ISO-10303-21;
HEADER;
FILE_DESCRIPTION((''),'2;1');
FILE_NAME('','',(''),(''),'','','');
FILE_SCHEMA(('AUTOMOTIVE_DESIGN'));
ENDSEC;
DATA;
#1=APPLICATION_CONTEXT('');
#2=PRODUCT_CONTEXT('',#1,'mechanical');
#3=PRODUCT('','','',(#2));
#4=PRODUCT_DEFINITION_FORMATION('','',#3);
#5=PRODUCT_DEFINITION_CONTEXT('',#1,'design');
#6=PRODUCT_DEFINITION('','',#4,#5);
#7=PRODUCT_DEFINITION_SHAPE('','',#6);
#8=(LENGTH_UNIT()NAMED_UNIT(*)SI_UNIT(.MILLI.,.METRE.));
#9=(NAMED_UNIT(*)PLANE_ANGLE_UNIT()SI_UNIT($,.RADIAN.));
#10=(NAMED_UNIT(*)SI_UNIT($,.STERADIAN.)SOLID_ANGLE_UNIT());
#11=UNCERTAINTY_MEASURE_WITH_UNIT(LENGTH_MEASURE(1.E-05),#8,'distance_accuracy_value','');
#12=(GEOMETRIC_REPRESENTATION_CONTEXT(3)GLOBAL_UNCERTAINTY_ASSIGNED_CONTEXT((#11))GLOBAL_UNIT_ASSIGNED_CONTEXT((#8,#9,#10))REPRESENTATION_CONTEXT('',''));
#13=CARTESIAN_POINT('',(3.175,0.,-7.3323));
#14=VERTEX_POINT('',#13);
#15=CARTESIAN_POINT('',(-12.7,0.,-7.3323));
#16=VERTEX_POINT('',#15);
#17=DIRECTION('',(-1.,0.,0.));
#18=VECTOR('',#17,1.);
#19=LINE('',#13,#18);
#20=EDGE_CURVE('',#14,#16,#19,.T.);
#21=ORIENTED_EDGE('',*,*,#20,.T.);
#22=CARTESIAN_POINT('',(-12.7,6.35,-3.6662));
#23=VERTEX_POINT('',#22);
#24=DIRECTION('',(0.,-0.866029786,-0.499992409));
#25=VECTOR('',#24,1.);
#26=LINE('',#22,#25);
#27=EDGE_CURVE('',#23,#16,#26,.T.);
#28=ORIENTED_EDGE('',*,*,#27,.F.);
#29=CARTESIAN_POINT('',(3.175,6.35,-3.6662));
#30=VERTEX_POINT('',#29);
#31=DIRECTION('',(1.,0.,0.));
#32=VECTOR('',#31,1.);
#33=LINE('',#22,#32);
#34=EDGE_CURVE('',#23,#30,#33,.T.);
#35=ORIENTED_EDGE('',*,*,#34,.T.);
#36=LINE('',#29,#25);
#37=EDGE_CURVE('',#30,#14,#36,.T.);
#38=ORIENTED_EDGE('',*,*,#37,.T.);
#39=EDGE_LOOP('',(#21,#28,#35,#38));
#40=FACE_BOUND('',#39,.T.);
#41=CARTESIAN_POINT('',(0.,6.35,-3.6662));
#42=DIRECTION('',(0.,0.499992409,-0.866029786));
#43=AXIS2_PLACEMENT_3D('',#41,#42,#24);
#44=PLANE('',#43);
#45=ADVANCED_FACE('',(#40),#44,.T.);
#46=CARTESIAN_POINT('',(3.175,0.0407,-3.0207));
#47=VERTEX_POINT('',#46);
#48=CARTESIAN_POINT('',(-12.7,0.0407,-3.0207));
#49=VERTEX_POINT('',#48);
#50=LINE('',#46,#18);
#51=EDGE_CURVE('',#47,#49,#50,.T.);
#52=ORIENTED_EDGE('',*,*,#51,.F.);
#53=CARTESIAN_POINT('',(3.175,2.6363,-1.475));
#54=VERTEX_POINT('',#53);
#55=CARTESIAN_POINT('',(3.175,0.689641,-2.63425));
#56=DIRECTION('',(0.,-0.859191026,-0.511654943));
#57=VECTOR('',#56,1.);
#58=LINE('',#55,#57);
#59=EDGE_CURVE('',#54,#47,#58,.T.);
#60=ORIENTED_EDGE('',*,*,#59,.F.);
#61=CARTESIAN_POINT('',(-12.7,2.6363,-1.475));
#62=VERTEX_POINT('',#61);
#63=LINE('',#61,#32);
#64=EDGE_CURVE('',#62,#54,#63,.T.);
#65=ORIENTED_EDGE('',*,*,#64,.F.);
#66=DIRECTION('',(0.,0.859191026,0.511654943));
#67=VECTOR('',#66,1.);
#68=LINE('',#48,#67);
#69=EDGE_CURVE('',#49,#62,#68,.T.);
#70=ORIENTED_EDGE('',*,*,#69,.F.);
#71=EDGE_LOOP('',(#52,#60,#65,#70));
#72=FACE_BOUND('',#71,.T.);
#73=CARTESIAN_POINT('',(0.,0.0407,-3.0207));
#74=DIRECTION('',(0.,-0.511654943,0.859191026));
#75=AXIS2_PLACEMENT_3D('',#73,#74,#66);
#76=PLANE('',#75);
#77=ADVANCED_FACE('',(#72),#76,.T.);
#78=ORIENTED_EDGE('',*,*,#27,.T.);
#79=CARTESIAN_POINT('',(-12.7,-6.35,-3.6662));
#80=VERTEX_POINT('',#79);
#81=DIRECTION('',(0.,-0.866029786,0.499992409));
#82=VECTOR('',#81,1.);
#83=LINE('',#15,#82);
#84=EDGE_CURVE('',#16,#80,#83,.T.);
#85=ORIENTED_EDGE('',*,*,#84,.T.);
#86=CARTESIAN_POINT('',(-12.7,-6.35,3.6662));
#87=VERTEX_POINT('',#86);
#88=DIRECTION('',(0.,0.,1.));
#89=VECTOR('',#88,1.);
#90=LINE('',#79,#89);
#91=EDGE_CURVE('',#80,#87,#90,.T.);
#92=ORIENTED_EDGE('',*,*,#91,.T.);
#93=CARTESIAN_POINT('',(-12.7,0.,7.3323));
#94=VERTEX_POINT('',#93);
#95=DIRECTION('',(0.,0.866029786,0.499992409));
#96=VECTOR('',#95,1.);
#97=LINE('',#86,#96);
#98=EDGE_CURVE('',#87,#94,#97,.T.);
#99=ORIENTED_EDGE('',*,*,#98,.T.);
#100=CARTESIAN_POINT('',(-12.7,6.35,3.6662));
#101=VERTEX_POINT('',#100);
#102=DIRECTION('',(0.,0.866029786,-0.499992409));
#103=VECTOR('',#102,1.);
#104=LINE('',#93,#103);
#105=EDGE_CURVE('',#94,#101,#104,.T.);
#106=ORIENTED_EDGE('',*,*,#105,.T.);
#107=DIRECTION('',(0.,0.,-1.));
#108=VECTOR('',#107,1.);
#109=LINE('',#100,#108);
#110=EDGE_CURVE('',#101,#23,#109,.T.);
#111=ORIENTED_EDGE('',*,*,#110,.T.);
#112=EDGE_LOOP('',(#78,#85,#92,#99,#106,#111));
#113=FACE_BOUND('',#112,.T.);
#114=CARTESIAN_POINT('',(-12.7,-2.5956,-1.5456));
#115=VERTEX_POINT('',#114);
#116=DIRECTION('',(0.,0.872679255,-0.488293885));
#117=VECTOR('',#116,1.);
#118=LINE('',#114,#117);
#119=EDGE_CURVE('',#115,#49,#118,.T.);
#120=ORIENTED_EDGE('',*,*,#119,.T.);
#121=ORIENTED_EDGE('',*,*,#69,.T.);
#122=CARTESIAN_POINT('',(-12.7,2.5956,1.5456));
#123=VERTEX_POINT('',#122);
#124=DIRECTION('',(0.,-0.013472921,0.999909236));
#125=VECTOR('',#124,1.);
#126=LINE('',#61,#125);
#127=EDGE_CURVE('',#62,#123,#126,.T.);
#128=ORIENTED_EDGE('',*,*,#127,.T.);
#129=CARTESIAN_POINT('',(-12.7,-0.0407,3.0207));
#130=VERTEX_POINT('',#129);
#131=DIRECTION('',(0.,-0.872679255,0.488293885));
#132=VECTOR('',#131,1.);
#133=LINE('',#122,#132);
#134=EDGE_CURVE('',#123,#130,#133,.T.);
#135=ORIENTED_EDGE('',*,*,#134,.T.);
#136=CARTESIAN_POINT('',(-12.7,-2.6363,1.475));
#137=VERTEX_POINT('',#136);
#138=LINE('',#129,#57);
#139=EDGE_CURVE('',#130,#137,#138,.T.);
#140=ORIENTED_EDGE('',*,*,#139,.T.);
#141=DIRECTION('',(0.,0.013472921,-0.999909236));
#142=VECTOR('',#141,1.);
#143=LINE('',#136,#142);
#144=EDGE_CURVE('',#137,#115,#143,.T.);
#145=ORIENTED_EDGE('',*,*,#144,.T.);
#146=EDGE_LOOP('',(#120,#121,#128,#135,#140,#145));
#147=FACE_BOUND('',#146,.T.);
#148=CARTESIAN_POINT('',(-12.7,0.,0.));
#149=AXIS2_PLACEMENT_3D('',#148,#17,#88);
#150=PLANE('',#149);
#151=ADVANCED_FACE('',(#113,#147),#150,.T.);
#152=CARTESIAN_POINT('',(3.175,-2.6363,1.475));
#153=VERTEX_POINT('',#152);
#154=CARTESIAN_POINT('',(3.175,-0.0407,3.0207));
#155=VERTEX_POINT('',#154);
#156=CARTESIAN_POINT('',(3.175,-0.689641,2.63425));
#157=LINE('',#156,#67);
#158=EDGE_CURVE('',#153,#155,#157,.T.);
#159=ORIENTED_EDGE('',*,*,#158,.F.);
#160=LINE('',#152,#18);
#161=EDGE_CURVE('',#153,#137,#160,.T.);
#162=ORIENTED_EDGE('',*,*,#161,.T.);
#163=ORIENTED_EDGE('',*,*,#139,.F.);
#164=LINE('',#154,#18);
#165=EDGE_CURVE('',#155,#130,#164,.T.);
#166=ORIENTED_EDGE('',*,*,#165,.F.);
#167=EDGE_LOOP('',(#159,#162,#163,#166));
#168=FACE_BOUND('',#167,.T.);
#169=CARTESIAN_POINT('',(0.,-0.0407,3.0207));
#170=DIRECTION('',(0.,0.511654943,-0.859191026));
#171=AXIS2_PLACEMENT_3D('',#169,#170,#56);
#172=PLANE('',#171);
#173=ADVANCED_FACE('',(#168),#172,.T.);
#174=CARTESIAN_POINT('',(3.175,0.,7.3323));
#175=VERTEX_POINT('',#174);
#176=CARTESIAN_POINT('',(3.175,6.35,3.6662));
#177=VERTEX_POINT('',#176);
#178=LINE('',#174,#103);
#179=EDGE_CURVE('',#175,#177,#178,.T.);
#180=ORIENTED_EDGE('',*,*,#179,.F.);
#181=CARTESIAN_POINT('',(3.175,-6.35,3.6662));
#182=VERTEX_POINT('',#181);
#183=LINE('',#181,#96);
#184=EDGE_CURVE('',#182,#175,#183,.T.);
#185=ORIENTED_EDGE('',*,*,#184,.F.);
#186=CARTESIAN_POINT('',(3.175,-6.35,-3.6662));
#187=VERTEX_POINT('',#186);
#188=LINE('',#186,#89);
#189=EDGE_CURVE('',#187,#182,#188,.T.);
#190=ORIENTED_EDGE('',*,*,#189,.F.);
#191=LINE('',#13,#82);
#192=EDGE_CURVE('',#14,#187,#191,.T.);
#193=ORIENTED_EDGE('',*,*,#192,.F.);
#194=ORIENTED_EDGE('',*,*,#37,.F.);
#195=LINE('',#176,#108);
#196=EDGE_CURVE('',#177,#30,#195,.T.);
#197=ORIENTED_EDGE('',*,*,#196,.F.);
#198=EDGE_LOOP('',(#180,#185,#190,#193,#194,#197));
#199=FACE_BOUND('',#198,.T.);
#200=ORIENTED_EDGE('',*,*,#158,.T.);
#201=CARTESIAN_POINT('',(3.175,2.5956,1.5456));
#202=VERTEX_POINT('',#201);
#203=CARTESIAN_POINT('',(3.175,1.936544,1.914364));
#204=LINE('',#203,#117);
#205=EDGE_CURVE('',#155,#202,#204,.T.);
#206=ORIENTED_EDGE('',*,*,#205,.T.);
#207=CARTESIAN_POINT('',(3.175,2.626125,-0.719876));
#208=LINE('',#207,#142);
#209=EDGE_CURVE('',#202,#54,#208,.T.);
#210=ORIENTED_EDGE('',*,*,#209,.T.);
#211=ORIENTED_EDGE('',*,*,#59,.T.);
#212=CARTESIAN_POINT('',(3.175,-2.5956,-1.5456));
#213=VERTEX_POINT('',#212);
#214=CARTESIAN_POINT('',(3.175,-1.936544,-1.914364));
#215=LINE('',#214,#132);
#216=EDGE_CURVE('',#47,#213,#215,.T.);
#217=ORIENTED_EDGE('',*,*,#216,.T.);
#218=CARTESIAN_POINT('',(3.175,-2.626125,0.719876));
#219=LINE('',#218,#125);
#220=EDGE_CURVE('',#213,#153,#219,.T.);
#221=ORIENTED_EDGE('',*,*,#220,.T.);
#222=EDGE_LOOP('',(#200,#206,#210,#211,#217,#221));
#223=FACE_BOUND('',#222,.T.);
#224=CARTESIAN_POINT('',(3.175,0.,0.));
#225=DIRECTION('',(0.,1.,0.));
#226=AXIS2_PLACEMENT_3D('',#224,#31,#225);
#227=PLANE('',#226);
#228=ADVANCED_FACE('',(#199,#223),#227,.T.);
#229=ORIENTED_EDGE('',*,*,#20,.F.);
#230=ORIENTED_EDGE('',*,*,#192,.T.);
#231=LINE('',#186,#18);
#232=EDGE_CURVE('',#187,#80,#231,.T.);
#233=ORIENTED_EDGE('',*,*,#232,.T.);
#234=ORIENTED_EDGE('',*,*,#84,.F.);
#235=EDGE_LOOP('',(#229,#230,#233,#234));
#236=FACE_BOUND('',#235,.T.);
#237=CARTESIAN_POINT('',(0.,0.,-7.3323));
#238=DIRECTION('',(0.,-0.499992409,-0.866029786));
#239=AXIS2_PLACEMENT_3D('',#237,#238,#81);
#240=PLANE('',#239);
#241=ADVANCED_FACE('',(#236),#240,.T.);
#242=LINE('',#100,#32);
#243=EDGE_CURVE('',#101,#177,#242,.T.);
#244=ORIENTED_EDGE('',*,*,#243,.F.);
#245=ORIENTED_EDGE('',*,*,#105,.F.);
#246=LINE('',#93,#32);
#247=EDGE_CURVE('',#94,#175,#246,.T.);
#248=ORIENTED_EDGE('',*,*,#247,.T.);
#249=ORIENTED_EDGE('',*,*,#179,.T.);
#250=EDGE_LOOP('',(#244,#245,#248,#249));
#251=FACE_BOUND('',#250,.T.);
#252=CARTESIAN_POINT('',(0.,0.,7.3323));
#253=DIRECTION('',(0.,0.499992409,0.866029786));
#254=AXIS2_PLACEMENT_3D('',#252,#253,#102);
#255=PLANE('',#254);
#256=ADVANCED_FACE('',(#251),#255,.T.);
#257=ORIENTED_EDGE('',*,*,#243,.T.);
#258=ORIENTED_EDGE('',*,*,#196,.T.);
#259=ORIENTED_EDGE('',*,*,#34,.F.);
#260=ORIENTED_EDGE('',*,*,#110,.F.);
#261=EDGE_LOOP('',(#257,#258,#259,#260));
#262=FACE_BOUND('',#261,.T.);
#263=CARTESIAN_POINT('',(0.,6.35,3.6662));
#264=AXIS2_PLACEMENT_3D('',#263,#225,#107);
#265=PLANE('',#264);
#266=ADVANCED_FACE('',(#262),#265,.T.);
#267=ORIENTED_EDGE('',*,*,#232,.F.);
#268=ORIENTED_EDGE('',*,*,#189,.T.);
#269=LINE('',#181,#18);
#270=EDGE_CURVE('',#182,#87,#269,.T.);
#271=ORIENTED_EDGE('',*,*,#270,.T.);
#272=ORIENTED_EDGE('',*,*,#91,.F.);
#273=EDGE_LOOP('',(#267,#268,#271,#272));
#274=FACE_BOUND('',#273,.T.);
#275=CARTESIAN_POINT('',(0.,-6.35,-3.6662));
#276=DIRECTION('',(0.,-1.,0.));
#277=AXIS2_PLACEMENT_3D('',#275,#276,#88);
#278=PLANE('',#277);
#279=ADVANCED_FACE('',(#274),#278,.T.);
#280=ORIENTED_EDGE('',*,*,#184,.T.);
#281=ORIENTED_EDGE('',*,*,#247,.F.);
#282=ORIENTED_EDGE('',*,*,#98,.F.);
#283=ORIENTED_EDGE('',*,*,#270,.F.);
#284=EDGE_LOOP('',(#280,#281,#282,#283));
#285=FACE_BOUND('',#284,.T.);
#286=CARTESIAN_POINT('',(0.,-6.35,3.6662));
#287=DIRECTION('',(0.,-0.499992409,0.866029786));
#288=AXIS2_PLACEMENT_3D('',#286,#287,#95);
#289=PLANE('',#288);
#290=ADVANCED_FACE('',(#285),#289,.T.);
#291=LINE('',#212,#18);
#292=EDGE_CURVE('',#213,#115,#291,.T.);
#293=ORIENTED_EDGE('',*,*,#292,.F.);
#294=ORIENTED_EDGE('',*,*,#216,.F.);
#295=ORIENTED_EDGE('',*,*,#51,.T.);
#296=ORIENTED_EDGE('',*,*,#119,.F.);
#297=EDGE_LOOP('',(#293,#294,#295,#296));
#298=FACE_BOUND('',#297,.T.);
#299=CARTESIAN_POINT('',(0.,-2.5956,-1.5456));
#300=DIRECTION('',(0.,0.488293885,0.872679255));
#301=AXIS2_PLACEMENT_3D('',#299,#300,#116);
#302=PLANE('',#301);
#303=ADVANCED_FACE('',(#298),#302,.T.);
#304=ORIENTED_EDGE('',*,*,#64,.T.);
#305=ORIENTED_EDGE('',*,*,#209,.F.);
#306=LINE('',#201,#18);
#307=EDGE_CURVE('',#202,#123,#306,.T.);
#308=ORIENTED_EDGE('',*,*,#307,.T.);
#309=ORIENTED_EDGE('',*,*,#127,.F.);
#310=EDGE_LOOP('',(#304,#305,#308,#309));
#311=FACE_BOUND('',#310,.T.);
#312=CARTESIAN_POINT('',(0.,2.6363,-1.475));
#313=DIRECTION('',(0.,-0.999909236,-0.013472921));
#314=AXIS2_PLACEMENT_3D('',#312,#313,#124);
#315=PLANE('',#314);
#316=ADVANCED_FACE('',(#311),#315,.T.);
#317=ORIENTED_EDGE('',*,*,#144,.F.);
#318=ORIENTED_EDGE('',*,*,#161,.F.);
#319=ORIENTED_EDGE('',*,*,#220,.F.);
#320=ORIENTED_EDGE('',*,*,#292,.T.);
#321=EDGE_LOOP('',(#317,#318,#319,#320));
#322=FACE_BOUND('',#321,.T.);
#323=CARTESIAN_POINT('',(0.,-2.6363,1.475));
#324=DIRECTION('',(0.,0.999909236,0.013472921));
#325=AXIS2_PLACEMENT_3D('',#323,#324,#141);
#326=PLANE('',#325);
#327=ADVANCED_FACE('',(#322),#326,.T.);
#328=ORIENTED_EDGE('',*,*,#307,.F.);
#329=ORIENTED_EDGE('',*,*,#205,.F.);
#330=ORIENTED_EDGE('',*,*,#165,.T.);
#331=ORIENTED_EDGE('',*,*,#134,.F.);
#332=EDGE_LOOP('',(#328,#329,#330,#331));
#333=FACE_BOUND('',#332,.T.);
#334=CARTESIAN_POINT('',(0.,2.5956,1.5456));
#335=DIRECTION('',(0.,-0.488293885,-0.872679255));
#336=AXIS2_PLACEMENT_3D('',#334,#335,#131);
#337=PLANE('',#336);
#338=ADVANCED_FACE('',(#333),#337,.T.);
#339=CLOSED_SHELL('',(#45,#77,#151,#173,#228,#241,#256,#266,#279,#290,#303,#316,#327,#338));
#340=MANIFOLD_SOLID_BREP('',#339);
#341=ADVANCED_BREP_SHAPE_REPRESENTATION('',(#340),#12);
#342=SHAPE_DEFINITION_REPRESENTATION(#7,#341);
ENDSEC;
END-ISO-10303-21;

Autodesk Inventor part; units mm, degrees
ref_plane "YZ Plane" through (0, 0, 0) normal (1, 0, 0) x (0, 1, 0)
ref_plane "XZ Plane" through (0, 0, 0) normal (0, 1, 0) x (-1, 0, 0)
ref_plane "XY Plane" through (0, 0, 0) normal (0, 0, 1) x (1, 0, 0)
sketch "Sketch1" plane through (0, 0, 0) normal (1, 0, 0) x (0, 1, 0)
  line L0 (6.35, -3.6662) -> (0, -7.3323)
  line L1 (0, -7.3323) -> (-6.35, -3.6662)
  line L2 (-6.35, -3.6662) -> (-6.35, 3.6662)
  line L3 (-6.35, 3.6662) -> (0, 7.3323)
  line L4 (0, 7.3323) -> (6.35, 3.6662)
  line L5 (6.35, 3.6662) -> (6.35, -3.6662)
  point P0 (0, 0)
  point P1 (0, 0)
  dimension "d0" = 6.35
extrude "Extrusion1" add sketch "Sketch1" along normal blind 3.175
sketch "Sketch3" plane through (0, 0, 0) normal (-1, 0, 0) x (0, 0, 1)
  line L0 (-3.0207, 0.0407) -> (-1.475, 2.6363)
  line L1 (-1.475, 2.6363) -> (1.5456, 2.5956)
  line L2 (1.5456, 2.5956) -> (3.0207, -0.0407)
  line L3 (3.0207, -0.0407) -> (1.475, -2.6363)
  line L4 (1.475, -2.6363) -> (-1.5456, -2.5956)
  line L5 (-1.5456, -2.5956) -> (-3.0207, 0.0407)
  line L6 (-3.6662, 6.35) -> (-7.3323, 0) projected
  line L7 (-7.3323, 0) -> (-3.6662, -6.35) projected
  line L8 (-3.6662, -6.35) -> (3.6662, -6.35) projected
  line L9 (3.6662, -6.35) -> (7.3323, 0) projected
  line L10 (7.3323, 0) -> (3.6662, 6.35) projected
  line L11 (3.6662, 6.35) -> (-3.6662, 6.35) projected
  point P0 (0, 0)
  point P1 (0, 0)
  point P2 (0, 0)
  dimension "d6" = 2.6162
extrude "Extrusion3" add sketch "Sketch3" along normal blind 12.7
extrude "Extrusion4" cut sketch "Sketch3" against normal through all contours L0 L1 L2 L3 L4 L5
properties part number "5mm-.5in hex converter"
